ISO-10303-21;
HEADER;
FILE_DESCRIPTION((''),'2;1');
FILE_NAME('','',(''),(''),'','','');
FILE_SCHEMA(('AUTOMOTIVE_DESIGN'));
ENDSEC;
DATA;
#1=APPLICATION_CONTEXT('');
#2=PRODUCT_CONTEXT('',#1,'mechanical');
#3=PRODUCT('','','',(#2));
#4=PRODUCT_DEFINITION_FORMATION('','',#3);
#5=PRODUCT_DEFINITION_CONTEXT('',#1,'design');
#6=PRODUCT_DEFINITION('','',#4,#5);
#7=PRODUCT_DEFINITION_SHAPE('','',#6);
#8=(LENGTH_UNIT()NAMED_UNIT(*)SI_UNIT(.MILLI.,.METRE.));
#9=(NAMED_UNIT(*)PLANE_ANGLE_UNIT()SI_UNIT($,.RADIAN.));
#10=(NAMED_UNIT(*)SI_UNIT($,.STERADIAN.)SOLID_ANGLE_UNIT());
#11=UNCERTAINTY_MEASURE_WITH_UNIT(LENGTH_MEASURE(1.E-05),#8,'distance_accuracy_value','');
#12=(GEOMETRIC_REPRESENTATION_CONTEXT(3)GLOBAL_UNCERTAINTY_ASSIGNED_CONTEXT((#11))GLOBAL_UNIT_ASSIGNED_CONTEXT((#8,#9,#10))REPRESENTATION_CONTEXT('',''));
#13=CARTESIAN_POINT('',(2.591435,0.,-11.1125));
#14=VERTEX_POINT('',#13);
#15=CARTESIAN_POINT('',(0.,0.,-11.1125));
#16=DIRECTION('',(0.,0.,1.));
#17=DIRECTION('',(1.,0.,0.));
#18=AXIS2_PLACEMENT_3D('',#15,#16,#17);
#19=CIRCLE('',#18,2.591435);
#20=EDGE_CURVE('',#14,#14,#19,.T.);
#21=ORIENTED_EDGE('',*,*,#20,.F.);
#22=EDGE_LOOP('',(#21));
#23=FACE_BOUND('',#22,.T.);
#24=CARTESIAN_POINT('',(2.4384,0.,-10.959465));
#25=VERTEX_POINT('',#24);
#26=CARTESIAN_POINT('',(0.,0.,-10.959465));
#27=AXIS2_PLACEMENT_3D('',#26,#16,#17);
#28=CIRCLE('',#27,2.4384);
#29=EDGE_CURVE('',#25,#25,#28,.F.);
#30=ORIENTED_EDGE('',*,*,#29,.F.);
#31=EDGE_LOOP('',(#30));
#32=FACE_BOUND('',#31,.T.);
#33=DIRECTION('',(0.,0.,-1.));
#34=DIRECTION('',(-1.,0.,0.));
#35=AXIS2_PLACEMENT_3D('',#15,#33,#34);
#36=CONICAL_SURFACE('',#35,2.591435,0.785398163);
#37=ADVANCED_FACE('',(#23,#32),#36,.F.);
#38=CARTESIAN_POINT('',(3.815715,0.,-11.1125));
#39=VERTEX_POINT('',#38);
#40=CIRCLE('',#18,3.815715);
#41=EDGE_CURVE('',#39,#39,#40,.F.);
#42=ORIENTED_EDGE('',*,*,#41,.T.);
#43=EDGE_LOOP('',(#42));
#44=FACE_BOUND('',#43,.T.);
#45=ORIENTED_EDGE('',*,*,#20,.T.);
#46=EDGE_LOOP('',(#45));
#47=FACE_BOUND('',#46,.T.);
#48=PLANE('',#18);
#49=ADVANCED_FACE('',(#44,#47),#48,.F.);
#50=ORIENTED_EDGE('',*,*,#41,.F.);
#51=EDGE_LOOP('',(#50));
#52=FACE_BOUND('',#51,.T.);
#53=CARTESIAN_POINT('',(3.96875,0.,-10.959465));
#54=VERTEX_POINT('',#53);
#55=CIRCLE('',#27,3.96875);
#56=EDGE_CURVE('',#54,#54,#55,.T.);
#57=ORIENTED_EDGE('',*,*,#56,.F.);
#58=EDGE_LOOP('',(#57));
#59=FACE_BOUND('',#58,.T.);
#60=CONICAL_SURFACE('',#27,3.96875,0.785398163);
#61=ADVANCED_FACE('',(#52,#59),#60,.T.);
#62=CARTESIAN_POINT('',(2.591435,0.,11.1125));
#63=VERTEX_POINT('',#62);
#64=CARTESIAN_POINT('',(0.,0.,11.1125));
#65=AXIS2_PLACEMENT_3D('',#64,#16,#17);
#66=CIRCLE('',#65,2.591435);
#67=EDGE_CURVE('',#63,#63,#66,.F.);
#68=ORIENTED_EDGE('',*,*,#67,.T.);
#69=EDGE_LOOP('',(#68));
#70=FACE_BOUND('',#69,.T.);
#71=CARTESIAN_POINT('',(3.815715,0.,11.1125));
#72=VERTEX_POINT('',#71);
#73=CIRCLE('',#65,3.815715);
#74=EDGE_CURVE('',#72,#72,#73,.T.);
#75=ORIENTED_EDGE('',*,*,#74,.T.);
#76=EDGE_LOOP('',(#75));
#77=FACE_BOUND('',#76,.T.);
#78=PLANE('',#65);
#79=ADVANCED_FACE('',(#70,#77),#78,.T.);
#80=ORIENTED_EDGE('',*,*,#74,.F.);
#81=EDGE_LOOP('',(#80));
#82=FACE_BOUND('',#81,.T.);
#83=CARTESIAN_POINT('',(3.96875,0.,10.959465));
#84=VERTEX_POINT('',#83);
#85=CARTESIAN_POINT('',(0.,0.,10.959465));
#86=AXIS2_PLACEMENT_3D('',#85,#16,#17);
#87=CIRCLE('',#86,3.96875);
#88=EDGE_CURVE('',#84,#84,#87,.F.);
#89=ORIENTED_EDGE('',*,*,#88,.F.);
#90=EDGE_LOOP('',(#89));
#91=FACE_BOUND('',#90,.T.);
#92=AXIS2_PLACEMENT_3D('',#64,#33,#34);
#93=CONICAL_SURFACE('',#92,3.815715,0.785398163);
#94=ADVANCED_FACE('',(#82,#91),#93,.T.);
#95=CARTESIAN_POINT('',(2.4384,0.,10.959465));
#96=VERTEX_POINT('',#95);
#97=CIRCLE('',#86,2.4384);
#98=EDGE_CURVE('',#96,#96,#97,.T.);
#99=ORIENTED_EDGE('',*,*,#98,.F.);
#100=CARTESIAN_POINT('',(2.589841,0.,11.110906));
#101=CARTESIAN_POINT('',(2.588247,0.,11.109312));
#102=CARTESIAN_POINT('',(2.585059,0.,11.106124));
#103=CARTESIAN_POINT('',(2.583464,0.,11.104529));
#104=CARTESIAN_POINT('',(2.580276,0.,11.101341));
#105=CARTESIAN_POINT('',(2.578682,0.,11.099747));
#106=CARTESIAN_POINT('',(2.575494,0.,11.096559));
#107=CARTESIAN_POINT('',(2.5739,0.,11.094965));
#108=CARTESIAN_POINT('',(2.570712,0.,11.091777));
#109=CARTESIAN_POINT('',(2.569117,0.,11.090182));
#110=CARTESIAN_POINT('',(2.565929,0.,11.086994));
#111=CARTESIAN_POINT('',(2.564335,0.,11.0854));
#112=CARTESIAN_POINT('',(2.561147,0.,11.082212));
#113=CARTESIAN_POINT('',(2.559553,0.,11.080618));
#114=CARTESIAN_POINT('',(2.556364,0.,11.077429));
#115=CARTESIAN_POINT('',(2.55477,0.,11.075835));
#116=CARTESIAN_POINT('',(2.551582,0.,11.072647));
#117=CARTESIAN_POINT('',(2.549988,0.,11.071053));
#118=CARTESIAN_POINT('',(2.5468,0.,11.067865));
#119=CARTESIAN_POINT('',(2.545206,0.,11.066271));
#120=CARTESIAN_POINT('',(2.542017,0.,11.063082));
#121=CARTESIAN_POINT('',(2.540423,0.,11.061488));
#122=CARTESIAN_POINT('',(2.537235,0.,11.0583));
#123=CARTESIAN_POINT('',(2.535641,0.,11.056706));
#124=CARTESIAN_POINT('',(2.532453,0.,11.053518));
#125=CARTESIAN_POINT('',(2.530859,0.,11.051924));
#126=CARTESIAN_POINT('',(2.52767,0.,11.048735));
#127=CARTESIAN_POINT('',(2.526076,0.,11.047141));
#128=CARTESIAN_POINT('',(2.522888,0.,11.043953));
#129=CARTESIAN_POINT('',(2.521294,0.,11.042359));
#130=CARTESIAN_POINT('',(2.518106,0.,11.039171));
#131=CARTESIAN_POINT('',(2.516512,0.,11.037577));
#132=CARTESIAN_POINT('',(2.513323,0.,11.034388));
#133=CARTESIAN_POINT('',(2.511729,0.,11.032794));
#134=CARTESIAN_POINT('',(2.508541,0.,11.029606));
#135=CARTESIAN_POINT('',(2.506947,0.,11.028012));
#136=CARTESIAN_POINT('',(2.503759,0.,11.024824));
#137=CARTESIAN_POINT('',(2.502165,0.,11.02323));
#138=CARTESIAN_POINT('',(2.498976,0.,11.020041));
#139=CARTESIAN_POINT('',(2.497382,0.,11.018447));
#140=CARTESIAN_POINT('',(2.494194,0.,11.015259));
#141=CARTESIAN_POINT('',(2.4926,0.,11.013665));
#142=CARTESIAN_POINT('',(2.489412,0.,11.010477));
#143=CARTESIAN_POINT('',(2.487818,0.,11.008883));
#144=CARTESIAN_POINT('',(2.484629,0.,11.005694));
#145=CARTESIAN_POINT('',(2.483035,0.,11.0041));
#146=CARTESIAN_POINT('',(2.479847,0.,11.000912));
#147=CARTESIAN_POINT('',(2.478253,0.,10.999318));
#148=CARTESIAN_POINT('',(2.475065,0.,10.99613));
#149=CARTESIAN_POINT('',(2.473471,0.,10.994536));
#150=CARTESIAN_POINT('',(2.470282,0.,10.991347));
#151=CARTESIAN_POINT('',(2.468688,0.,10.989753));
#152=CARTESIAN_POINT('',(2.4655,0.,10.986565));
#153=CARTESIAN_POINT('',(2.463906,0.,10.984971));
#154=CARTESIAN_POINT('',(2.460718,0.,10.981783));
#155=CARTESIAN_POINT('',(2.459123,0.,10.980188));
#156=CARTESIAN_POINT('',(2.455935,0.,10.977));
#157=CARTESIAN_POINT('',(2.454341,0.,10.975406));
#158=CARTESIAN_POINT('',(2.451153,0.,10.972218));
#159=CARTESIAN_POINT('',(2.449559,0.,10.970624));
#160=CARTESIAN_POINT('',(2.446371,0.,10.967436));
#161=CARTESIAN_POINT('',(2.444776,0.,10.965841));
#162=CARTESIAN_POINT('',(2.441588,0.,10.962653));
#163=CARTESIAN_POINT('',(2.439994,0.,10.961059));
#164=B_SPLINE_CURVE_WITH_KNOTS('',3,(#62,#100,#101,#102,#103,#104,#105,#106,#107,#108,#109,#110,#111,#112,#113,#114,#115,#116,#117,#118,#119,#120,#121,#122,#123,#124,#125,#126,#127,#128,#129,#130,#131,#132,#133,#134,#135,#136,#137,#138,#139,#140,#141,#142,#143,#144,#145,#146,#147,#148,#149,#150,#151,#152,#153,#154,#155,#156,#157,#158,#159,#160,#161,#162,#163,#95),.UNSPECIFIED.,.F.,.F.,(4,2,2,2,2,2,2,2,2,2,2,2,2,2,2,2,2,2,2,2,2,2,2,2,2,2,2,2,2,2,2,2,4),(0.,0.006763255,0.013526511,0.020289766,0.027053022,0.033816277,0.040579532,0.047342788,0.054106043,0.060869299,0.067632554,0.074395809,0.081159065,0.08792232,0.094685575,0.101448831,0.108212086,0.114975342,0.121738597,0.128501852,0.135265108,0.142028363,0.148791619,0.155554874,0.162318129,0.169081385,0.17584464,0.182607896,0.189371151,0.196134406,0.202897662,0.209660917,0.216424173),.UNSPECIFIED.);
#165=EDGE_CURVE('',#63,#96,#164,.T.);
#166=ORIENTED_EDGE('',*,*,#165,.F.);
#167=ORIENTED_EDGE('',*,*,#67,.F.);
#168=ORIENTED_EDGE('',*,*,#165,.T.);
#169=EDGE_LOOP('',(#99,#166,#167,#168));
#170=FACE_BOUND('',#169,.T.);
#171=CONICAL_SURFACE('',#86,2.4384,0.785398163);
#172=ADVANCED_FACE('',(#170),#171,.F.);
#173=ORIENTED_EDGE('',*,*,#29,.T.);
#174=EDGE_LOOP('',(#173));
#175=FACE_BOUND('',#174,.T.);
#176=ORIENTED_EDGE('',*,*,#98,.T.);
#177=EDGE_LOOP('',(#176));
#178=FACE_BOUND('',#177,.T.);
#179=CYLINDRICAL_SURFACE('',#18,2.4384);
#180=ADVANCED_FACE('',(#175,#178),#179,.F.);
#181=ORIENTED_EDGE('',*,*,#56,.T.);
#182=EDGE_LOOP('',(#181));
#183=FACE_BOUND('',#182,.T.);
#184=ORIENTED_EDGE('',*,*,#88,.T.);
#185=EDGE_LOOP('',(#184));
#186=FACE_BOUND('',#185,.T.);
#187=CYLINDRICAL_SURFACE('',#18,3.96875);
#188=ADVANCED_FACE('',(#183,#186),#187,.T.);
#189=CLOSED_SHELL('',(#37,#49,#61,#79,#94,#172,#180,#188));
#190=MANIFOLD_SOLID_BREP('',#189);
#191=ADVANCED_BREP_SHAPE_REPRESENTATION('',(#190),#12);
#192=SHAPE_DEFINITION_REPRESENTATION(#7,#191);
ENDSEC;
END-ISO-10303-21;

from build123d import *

# Parameters (mm, degrees)
BOSS_EXTRUDE1_DEPTH      = 11.1125
BOSS_EXTRUDE1_DEPTH_BACK = 11.1125
SKETCH3_R                = 3.96875
SKETCH3_R_2              = 2.4384
CHAMFER1_SIZE            = 0.153035


with BuildPart() as part:
    # Sketch3 → Boss-Extrude1 (new, two sides: drawn at the far end of the back side and taken through both)
    with BuildSketch(Plane.XY.offset(-BOSS_EXTRUDE1_DEPTH_BACK)):
        Circle(SKETCH3_R)
        Circle(SKETCH3_R_2, mode=Mode.SUBTRACT)
    extrude(amount=BOSS_EXTRUDE1_DEPTH + BOSS_EXTRUDE1_DEPTH_BACK)

    # Chamfer1
    chamfer1_edges = [part.edges().sort_by_distance(p)[0] for p in [
        (-3.96875, 0, -11.1125),
        (-2.4384, 0, -11.1125),
        (-3.96875, 0, 11.1125),
        (-2.4384, 0, 11.1125),
    ]]
    chamfer(chamfer1_edges, length=CHAMFER1_SIZE)


solid = part.part
